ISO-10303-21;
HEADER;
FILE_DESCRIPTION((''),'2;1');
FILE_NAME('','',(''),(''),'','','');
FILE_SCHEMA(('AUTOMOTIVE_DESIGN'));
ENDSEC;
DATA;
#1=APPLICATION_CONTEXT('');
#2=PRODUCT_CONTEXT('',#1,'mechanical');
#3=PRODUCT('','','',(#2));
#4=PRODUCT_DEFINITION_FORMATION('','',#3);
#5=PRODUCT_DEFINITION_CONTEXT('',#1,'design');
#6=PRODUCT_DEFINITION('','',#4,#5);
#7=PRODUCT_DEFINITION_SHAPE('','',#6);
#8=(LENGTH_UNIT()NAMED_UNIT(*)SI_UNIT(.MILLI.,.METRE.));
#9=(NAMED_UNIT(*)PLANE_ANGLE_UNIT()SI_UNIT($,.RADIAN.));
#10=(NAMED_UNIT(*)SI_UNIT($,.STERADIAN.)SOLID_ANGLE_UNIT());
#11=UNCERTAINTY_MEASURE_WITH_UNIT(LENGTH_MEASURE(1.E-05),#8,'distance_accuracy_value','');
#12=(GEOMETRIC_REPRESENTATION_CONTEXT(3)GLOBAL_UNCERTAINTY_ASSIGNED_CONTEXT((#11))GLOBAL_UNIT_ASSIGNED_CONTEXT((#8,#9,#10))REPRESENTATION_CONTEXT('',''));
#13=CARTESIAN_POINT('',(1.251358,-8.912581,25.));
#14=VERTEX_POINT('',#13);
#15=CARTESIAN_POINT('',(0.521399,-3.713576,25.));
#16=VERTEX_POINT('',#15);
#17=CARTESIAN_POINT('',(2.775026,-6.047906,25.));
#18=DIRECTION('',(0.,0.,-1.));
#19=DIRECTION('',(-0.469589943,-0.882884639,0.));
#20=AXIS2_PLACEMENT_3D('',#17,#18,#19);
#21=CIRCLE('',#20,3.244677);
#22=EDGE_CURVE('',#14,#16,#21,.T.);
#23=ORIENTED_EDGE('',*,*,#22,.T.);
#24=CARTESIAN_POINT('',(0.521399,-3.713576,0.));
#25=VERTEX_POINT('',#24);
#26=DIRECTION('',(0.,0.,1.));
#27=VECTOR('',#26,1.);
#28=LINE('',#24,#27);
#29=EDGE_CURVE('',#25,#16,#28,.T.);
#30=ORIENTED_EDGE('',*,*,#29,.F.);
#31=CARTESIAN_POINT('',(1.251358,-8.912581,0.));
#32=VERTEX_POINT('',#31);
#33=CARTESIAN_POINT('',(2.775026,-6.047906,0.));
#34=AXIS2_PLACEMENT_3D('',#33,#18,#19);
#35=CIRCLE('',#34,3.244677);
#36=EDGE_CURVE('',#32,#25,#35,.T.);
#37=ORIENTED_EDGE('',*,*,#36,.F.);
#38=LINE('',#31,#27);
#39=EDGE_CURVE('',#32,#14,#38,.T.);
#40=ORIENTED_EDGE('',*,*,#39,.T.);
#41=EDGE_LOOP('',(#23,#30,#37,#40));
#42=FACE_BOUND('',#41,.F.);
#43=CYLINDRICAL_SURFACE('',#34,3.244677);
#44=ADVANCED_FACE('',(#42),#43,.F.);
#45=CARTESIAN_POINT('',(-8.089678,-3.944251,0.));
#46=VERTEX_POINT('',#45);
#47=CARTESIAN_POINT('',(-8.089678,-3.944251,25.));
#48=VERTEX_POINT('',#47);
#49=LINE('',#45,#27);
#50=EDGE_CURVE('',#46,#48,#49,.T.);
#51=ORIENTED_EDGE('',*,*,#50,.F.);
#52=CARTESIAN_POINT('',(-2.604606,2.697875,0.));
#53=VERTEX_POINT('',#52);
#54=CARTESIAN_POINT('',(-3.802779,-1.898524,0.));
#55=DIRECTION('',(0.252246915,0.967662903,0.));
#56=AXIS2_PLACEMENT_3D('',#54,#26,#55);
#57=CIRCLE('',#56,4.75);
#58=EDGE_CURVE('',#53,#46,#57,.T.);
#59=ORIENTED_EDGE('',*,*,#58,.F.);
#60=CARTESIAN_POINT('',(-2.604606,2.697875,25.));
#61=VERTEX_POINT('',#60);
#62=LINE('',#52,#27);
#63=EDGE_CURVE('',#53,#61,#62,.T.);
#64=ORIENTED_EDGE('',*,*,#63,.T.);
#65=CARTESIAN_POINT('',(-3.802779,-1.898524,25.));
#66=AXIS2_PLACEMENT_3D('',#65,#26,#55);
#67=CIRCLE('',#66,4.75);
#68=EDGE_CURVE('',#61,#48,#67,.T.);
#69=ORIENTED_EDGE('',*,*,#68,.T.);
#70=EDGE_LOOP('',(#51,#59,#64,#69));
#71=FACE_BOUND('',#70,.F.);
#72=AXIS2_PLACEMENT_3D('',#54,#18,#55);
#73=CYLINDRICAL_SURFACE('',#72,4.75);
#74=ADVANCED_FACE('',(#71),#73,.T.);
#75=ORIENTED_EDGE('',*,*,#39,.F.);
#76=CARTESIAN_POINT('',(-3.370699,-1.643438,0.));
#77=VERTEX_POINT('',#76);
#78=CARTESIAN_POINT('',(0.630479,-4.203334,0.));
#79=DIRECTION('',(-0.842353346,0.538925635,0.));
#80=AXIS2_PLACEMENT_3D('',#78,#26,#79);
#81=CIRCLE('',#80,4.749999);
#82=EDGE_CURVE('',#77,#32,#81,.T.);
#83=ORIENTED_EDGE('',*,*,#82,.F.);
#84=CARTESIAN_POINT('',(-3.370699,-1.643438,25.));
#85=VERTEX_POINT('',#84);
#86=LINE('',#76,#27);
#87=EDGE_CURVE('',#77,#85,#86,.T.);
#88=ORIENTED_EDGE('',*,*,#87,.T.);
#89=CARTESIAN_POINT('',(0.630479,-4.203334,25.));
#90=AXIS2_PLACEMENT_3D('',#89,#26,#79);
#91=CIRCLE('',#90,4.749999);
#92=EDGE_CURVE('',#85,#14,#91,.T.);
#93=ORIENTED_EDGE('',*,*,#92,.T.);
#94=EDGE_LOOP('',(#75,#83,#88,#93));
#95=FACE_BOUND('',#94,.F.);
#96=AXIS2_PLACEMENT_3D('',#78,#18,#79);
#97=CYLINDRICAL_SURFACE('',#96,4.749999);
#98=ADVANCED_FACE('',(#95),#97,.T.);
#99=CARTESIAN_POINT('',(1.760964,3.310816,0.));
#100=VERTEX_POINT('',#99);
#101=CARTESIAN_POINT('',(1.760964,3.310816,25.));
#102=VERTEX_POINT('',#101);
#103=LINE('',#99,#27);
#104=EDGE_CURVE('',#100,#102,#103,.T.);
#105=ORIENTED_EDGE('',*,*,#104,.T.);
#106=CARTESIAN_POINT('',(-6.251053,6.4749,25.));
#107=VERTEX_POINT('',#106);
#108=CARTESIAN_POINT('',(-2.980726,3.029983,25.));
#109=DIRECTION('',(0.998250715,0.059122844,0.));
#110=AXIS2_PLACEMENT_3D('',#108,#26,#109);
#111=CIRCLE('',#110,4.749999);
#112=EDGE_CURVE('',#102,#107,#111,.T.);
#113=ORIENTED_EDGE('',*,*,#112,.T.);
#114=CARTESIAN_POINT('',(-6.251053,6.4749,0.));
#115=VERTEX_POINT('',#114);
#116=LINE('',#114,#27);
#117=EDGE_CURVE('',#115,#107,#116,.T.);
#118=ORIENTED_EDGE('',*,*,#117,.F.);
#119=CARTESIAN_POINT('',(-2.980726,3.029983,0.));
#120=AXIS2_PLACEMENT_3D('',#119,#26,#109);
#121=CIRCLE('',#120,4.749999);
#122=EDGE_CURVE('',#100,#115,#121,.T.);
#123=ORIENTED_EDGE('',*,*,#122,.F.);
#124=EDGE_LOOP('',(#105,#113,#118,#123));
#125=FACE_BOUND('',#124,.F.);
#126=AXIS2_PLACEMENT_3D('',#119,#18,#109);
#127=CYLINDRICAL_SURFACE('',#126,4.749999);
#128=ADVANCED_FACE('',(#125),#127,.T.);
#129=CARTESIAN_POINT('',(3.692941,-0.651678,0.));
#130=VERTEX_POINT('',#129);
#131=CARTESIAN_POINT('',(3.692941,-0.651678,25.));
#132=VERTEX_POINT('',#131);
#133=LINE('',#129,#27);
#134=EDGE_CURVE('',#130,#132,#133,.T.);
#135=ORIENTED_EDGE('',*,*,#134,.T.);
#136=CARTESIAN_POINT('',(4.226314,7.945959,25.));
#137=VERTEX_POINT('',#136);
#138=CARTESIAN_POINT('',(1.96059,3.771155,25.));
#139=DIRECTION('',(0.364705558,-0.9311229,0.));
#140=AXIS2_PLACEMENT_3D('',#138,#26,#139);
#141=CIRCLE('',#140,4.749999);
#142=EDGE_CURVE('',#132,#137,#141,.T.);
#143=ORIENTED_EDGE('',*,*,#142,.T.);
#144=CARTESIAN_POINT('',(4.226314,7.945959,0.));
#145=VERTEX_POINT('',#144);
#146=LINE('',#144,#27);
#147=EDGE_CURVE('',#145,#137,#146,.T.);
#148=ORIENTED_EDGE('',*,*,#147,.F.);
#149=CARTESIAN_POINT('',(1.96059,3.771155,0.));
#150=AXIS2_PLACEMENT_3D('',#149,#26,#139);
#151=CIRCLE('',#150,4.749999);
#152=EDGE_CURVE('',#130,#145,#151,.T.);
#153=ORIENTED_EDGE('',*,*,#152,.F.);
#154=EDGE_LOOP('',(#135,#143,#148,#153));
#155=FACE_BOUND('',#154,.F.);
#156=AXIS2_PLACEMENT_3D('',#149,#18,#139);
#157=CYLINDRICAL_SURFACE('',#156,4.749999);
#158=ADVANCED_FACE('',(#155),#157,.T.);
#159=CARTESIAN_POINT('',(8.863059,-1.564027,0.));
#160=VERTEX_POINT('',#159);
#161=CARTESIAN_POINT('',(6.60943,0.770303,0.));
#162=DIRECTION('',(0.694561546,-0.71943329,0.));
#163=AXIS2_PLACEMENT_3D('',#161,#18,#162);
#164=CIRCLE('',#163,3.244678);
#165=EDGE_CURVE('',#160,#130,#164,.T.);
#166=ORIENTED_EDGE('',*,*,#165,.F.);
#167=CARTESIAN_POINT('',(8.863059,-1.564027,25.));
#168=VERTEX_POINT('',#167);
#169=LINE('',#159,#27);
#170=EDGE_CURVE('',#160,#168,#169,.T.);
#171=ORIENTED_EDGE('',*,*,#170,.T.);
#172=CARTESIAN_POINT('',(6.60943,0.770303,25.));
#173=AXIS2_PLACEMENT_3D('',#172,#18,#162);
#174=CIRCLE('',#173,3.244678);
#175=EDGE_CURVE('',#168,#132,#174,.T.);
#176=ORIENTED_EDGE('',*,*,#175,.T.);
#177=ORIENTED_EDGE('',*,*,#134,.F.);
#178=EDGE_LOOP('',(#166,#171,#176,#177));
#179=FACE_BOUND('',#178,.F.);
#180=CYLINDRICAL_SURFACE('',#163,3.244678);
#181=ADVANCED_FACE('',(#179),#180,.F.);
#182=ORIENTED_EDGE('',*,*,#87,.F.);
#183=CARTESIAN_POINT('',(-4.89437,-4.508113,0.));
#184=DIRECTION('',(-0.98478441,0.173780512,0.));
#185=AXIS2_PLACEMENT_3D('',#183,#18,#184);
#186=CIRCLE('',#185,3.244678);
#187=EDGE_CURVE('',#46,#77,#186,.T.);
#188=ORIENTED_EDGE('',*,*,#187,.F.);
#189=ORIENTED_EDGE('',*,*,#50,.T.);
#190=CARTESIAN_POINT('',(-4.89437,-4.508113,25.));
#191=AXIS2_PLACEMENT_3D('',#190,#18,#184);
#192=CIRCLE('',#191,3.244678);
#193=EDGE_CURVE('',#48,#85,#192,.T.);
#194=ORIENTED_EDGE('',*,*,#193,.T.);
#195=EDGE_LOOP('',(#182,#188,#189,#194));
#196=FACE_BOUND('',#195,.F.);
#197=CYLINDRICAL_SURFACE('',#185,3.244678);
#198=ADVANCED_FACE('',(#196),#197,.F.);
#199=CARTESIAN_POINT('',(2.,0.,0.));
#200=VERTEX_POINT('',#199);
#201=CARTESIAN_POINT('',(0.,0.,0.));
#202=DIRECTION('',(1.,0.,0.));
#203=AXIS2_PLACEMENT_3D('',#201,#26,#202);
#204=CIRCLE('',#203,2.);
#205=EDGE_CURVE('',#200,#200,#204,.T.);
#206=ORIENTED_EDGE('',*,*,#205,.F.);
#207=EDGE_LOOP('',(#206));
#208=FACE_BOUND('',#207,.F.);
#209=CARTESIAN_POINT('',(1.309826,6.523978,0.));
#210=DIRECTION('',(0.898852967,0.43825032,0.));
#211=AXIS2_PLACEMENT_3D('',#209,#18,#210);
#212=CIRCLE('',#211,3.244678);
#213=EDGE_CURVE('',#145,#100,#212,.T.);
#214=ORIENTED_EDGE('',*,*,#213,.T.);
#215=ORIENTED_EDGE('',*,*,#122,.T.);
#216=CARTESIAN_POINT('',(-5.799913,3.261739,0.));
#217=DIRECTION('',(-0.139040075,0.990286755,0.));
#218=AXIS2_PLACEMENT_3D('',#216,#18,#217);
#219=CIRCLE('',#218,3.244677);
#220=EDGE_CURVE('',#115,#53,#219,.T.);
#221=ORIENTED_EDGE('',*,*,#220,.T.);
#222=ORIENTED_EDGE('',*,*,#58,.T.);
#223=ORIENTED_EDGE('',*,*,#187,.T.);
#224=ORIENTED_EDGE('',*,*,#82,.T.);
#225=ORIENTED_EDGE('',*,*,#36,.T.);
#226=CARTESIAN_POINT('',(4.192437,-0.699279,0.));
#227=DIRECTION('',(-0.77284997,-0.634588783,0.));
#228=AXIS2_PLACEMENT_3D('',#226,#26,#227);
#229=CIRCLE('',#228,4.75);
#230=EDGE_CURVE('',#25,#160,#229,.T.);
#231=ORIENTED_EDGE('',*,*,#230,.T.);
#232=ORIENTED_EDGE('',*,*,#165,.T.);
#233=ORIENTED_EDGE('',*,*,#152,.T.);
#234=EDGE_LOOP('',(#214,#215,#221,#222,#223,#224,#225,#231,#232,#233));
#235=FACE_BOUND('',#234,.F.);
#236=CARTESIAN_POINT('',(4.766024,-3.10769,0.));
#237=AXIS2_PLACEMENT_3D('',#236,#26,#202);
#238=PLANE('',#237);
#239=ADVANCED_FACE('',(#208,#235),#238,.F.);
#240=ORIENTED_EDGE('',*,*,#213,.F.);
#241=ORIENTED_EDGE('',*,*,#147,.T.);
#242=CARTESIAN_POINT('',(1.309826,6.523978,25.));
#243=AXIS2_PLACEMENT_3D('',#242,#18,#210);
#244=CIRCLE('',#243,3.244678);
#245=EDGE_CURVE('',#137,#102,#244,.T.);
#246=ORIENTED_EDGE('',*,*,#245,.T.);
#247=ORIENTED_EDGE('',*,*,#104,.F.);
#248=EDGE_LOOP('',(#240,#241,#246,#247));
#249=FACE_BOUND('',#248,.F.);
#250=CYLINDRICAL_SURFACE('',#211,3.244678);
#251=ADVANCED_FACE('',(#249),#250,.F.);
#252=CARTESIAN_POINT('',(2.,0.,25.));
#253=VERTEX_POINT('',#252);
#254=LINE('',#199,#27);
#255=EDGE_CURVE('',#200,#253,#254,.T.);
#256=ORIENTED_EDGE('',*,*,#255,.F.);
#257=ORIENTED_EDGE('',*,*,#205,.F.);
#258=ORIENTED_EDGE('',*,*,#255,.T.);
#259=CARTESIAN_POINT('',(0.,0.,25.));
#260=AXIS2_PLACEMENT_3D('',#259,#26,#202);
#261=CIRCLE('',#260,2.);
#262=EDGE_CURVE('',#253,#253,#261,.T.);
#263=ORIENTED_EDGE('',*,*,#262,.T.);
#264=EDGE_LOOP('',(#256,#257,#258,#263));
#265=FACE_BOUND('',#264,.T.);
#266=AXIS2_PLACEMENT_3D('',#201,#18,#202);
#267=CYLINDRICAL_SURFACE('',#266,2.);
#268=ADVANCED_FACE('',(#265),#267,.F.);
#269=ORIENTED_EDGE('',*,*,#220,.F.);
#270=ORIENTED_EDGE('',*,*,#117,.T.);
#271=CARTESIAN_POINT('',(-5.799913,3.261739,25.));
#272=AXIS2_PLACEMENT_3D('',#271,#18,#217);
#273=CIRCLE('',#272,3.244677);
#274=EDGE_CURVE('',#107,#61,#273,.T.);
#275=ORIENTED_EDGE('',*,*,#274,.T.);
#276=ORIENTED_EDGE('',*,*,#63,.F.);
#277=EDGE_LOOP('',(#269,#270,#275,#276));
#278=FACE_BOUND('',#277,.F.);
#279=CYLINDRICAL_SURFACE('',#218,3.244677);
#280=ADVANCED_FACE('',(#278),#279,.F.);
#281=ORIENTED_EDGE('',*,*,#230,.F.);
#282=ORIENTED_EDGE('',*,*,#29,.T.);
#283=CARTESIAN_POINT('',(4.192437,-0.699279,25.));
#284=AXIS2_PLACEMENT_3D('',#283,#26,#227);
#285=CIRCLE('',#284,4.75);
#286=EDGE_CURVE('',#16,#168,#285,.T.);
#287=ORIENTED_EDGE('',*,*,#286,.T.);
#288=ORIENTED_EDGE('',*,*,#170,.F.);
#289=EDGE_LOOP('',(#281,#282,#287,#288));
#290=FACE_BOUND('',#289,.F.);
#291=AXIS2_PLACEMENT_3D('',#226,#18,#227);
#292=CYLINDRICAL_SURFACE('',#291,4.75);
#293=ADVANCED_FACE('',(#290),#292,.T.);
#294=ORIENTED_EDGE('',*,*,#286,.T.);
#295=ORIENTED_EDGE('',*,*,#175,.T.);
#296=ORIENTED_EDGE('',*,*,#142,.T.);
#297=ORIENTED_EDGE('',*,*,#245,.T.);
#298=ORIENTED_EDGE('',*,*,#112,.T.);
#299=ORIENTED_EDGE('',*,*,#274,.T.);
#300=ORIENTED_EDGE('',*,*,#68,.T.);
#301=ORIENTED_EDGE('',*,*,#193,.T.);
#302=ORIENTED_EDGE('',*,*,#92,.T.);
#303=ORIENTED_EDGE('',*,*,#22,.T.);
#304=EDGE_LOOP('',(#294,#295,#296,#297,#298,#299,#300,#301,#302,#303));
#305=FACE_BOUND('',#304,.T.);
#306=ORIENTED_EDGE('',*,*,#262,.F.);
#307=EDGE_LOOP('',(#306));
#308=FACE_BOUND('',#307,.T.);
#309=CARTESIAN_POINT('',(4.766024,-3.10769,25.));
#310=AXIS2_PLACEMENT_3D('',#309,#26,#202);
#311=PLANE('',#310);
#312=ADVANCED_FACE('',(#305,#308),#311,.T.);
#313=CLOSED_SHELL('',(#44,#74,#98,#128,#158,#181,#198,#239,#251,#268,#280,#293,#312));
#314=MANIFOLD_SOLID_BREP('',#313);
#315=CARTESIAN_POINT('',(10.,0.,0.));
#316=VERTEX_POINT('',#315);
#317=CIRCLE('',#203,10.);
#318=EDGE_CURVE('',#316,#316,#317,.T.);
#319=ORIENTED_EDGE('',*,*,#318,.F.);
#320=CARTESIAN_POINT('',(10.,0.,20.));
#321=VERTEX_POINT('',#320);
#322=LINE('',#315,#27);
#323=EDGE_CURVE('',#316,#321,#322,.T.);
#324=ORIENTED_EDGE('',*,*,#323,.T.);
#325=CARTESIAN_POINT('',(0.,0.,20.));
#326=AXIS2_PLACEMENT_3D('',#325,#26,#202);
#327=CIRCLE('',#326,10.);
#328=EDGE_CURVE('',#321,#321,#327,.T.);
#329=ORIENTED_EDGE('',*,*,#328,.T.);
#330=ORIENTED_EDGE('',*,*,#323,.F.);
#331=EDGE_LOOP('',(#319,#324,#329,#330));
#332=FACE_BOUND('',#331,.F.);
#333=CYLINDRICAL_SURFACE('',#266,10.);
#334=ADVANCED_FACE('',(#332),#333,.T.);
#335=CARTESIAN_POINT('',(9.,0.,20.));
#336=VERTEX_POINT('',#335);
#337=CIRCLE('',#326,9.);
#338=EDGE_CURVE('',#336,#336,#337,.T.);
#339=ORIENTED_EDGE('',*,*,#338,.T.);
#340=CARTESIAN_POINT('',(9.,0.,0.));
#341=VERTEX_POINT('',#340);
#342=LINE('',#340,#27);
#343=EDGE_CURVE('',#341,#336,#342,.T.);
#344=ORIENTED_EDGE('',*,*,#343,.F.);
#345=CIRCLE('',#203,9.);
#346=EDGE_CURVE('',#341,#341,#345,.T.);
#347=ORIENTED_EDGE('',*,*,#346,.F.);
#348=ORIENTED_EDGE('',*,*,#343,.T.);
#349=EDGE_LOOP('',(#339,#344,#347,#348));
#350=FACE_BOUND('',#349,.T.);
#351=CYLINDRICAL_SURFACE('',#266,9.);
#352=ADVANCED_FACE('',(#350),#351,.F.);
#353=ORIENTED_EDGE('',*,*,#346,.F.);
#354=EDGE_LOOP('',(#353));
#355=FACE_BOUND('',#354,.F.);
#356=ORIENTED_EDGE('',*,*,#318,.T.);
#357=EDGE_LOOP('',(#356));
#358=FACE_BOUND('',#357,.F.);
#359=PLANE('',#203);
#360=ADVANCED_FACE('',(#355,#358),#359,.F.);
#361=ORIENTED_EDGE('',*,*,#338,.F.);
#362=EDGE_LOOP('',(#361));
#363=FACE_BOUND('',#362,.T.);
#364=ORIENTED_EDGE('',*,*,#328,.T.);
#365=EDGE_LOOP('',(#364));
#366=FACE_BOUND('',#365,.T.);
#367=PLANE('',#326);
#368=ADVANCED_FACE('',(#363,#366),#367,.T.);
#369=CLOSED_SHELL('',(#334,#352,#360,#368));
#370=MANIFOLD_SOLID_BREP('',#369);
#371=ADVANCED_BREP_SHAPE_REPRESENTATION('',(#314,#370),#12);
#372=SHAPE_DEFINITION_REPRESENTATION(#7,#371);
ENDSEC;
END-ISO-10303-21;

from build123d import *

# Parameters (mm, degrees)
F0_R     = 10
F0_R_2   = 9
F1_DEPTH = 20
F2_R     = 2
F3_DEPTH = 25


with BuildPart() as f1:
    # F0 (on Top) → F1 (new body)
    with BuildSketch(Plane.XY):
        Circle(F0_R)
        Circle(F0_R_2, mode=Mode.SUBTRACT)
    extrude(amount=F1_DEPTH)


with BuildPart() as f3:
    # F2 (on Top) → F3 (new body)
    with BuildSketch(Plane.XY):
        with BuildLine():
            Line((3.692941, -0.651678), (0.521399, -3.713576))
            ThreePointArc((0.521399, -3.713576), (5.377735, -5.299015), (8.863059, -1.564027))
            ThreePointArc((8.863059, -1.564027), (6.045568, -2.425006), (3.692941, -0.651678))
        make_face()
        Polygon((-3.370699, -1.643438), (0.521399, -3.713576), (3.692941, -0.651678), (1.760964, 3.310816), (-2.604606, 2.697875), align=None)
        Circle(F2_R, mode=Mode.SUBTRACT)
        with BuildLine():
            ThreePointArc((-6.251053, 6.4749), (-3.465584, 5.515367), (-2.604606, 2.697875))
            Line((-2.604606, 2.697875), (1.760964, 3.310816))
            ThreePointArc((1.760964, 3.310816), (-1.235996, 7.447947), (-6.251053, 6.4749))
        make_face()
        with BuildLine():
            Line((1.760964, 3.310816), (3.692941, -0.651678))
            ThreePointArc((3.692941, -0.651678), (6.701475, 3.477044), (4.226314, 7.945959))
            ThreePointArc((4.226314, 7.945959), (4.174501, 5.000308), (1.760964, 3.310816))
        make_face()
        with BuildLine():
            ThreePointArc((-8.089678, -3.944251), (-6.31635, -1.591624), (-3.370699, -1.643438))
            Line((-3.370699, -1.643438), (-2.604606, 2.697875))
            ThreePointArc((-2.604606, 2.697875), (-7.465362, 1.12604), (-8.089678, -3.944251))
        make_face()
        with BuildLine():
            ThreePointArc((1.251358, -8.912581), (-0.438135, -6.499045), (0.521399, -3.713576))
            Line((0.521399, -3.713576), (-3.370699, -1.643438))
            ThreePointArc((-3.370699, -1.643438), (-3.377852, -6.752016), (1.251358, -8.912581))
        make_face()
    extrude(amount=F3_DEPTH)


solid = Compound([f1.part, f3.part])
